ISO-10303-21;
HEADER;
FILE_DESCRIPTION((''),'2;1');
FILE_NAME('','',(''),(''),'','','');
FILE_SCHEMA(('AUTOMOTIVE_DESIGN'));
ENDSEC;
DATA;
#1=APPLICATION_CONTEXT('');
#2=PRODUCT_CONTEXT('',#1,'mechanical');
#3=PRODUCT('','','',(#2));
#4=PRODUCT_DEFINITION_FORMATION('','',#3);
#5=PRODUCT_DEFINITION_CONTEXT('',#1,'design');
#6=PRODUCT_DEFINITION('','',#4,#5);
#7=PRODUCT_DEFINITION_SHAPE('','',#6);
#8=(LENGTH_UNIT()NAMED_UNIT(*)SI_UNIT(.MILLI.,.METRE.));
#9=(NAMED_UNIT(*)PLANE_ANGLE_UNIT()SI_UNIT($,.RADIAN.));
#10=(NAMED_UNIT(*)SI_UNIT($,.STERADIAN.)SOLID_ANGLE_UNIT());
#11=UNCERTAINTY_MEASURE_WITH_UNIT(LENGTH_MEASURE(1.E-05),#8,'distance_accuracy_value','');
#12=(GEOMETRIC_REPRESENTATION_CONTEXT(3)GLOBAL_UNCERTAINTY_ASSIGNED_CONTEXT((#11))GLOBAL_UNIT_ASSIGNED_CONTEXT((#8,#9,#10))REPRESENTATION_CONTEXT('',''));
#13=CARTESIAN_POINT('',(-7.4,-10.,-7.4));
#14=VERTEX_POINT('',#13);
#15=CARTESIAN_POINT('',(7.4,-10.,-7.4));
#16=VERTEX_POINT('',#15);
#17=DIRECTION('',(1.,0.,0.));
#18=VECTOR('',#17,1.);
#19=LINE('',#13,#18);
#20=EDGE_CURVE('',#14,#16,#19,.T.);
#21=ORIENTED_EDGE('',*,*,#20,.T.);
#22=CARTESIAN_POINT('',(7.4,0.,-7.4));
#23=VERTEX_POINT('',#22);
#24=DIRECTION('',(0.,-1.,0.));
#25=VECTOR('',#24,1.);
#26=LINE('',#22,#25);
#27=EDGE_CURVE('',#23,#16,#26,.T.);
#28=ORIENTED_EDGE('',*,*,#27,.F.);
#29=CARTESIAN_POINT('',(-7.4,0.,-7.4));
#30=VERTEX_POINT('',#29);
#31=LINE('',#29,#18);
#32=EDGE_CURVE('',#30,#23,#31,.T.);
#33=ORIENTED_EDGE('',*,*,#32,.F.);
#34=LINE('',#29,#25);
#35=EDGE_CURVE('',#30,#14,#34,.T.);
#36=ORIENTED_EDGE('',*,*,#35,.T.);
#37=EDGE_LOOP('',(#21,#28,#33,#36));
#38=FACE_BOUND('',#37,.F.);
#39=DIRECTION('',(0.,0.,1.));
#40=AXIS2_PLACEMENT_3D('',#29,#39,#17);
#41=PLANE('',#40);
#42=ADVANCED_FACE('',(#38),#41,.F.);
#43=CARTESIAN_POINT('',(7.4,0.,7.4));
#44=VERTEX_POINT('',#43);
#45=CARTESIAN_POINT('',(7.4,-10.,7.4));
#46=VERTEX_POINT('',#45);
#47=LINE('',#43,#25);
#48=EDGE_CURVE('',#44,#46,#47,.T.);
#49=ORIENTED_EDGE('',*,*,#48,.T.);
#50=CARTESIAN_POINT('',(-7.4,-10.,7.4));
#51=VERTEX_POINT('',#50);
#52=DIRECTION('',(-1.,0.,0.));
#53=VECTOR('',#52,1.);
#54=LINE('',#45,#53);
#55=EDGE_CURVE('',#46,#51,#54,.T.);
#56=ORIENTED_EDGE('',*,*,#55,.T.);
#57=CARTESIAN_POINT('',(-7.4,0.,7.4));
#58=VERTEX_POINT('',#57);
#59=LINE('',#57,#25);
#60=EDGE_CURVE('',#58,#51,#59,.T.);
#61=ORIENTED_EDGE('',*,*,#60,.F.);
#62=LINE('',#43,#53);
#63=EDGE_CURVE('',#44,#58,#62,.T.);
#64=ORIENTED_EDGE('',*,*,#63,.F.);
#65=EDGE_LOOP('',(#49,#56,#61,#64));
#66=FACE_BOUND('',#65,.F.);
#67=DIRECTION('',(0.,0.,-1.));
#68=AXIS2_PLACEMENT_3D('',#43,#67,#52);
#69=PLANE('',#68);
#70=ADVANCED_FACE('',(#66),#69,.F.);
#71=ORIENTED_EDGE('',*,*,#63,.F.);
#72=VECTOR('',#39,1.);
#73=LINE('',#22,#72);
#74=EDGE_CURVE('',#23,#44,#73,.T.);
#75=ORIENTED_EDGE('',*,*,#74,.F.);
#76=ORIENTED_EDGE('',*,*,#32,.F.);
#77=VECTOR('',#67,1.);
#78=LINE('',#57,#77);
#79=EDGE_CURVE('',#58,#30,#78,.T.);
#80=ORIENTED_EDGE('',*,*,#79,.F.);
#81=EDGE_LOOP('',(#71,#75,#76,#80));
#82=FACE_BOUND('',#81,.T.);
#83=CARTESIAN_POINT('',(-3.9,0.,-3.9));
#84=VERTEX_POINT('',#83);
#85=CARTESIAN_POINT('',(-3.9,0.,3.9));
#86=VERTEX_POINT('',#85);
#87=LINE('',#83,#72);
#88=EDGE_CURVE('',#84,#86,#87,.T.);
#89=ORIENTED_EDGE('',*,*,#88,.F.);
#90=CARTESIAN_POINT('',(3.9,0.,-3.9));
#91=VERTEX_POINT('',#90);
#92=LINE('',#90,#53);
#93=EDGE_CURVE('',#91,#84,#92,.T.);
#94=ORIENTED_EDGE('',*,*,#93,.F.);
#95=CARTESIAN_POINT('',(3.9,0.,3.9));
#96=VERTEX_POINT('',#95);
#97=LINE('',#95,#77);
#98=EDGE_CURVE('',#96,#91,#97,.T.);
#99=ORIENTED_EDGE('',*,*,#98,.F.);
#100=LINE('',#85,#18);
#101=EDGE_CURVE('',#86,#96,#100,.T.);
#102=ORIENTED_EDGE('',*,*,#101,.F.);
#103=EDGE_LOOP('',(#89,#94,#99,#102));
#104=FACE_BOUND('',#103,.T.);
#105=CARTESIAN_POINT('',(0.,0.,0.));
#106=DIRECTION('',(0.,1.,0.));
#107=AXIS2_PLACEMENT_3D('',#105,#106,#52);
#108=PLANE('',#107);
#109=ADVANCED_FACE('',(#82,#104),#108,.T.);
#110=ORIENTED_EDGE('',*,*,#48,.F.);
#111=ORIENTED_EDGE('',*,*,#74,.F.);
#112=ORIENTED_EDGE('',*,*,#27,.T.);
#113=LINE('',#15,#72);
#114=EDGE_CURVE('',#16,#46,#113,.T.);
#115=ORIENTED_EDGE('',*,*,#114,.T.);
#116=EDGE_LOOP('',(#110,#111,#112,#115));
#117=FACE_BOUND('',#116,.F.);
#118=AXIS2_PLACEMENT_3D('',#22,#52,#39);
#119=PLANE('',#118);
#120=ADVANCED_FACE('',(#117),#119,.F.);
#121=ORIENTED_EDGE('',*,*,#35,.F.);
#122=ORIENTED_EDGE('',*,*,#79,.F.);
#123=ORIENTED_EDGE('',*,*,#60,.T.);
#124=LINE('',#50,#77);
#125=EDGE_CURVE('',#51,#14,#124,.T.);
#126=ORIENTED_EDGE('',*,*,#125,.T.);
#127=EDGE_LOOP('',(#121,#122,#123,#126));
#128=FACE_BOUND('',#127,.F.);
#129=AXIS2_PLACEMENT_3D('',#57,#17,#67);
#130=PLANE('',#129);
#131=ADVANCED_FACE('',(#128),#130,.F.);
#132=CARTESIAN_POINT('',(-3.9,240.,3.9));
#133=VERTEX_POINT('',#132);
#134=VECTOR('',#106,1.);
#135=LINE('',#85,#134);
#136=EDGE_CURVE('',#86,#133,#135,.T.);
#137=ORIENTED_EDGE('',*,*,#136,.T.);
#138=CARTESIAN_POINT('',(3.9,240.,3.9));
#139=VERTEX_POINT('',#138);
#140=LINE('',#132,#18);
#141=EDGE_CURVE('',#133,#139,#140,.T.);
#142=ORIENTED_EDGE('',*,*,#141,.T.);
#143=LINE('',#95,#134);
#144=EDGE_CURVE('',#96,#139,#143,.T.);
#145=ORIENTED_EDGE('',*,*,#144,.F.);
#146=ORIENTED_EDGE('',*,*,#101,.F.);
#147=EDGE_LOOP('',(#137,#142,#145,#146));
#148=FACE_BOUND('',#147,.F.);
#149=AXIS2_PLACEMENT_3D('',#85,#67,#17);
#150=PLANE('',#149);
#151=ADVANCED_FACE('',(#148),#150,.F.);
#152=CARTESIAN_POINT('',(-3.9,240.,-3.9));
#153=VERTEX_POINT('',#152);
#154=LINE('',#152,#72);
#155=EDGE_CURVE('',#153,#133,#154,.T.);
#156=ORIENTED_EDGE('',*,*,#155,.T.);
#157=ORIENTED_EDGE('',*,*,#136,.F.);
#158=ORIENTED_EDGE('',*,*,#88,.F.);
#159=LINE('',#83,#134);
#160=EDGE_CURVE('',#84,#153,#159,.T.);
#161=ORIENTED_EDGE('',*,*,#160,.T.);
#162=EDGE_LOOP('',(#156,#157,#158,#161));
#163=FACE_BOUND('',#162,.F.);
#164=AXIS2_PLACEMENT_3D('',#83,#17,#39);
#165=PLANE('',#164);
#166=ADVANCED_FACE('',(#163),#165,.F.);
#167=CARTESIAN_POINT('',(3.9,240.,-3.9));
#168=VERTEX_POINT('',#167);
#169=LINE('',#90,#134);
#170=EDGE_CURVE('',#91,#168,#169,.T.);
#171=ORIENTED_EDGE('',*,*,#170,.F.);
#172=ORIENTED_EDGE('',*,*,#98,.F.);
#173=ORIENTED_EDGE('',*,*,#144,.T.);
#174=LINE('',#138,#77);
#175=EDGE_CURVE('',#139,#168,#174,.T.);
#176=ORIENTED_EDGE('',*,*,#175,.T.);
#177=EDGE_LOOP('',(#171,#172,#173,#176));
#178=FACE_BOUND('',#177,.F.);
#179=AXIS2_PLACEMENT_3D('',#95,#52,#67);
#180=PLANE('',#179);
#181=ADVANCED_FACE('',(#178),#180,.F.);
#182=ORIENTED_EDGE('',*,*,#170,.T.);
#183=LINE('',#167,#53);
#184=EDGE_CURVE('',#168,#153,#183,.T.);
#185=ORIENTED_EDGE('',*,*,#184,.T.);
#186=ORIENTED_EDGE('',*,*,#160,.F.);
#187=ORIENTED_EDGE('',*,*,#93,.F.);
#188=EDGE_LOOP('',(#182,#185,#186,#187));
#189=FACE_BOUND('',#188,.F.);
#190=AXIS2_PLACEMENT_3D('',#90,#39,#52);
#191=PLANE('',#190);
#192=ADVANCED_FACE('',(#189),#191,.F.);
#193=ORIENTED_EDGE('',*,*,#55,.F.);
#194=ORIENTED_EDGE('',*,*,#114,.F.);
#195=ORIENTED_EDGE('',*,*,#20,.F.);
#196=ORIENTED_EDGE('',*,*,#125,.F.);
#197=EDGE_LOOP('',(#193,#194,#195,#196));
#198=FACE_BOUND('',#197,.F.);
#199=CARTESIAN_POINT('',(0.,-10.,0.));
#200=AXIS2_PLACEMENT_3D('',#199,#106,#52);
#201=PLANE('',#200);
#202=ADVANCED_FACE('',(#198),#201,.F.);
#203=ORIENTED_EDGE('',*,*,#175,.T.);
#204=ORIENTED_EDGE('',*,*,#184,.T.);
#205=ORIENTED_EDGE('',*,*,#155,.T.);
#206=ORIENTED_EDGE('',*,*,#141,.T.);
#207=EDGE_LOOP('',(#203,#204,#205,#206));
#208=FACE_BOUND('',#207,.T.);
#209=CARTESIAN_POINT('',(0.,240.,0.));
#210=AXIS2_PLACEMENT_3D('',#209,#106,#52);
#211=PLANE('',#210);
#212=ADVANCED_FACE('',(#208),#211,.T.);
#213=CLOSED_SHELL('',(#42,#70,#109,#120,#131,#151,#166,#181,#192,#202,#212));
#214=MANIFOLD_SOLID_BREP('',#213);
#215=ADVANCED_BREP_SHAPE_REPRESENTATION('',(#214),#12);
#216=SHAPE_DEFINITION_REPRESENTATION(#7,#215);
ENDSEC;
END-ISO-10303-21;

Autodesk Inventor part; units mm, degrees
ref_plane "YZ Plane" through (0, 0, 0) normal (1, 0, 0) x (0, 1, 0)
ref_plane "XZ Plane" through (0, 0, 0) normal (0, 1, 0) x (-1, 0, 0)
ref_plane "XY Plane" through (0, 0, 0) normal (0, 0, 1) x (1, 0, 0)
sketch "Szkic1" plane through (0, 0, 0) normal (0, 1, 0) x (-1, 0, 0)
  line L0 (-7.4, 7.4) -> (7.4, 7.4)
  line L1 (7.4, 7.4) -> (7.4, -7.4)
  line L2 (7.4, -7.4) -> (-7.4, -7.4)
  line L3 (-7.4, -7.4) -> (-7.4, 7.4)
  line L4 (-7.4, 7.4) -> (7.4, -7.4) construction
  line L5 (7.4, 7.4) -> (-7.4, -7.4) construction
  line L6 (3.9, 3.9) -> (-3.9, 3.9)
  line L7 (-3.9, 3.9) -> (-3.9, -3.9)
  line L8 (-3.9, -3.9) -> (3.9, -3.9)
  line L9 (3.9, -3.9) -> (3.9, 3.9)
  line L10 (3.9, 3.9) -> (-3.9, -3.9) construction
  line L11 (-3.9, 3.9) -> (3.9, -3.9) construction
  point P0 (0, 0)
  dimension "d0" = 14.8
  dimension "d1" = 14.8
  dimension "d7" = 7.8
  dimension "d8" = 7.8
extrude "Wyciągnięcie proste1" add sketch "Szkic1" against normal blind 10 contours L0 L1 L2 L3 | L9 L8 L7 L6
extrude "Wyciągnięcie proste2" add sketch "Szkic1" along normal blind 240 contours L9 L8 L7 L6
properties part number "podstawa_rod"
